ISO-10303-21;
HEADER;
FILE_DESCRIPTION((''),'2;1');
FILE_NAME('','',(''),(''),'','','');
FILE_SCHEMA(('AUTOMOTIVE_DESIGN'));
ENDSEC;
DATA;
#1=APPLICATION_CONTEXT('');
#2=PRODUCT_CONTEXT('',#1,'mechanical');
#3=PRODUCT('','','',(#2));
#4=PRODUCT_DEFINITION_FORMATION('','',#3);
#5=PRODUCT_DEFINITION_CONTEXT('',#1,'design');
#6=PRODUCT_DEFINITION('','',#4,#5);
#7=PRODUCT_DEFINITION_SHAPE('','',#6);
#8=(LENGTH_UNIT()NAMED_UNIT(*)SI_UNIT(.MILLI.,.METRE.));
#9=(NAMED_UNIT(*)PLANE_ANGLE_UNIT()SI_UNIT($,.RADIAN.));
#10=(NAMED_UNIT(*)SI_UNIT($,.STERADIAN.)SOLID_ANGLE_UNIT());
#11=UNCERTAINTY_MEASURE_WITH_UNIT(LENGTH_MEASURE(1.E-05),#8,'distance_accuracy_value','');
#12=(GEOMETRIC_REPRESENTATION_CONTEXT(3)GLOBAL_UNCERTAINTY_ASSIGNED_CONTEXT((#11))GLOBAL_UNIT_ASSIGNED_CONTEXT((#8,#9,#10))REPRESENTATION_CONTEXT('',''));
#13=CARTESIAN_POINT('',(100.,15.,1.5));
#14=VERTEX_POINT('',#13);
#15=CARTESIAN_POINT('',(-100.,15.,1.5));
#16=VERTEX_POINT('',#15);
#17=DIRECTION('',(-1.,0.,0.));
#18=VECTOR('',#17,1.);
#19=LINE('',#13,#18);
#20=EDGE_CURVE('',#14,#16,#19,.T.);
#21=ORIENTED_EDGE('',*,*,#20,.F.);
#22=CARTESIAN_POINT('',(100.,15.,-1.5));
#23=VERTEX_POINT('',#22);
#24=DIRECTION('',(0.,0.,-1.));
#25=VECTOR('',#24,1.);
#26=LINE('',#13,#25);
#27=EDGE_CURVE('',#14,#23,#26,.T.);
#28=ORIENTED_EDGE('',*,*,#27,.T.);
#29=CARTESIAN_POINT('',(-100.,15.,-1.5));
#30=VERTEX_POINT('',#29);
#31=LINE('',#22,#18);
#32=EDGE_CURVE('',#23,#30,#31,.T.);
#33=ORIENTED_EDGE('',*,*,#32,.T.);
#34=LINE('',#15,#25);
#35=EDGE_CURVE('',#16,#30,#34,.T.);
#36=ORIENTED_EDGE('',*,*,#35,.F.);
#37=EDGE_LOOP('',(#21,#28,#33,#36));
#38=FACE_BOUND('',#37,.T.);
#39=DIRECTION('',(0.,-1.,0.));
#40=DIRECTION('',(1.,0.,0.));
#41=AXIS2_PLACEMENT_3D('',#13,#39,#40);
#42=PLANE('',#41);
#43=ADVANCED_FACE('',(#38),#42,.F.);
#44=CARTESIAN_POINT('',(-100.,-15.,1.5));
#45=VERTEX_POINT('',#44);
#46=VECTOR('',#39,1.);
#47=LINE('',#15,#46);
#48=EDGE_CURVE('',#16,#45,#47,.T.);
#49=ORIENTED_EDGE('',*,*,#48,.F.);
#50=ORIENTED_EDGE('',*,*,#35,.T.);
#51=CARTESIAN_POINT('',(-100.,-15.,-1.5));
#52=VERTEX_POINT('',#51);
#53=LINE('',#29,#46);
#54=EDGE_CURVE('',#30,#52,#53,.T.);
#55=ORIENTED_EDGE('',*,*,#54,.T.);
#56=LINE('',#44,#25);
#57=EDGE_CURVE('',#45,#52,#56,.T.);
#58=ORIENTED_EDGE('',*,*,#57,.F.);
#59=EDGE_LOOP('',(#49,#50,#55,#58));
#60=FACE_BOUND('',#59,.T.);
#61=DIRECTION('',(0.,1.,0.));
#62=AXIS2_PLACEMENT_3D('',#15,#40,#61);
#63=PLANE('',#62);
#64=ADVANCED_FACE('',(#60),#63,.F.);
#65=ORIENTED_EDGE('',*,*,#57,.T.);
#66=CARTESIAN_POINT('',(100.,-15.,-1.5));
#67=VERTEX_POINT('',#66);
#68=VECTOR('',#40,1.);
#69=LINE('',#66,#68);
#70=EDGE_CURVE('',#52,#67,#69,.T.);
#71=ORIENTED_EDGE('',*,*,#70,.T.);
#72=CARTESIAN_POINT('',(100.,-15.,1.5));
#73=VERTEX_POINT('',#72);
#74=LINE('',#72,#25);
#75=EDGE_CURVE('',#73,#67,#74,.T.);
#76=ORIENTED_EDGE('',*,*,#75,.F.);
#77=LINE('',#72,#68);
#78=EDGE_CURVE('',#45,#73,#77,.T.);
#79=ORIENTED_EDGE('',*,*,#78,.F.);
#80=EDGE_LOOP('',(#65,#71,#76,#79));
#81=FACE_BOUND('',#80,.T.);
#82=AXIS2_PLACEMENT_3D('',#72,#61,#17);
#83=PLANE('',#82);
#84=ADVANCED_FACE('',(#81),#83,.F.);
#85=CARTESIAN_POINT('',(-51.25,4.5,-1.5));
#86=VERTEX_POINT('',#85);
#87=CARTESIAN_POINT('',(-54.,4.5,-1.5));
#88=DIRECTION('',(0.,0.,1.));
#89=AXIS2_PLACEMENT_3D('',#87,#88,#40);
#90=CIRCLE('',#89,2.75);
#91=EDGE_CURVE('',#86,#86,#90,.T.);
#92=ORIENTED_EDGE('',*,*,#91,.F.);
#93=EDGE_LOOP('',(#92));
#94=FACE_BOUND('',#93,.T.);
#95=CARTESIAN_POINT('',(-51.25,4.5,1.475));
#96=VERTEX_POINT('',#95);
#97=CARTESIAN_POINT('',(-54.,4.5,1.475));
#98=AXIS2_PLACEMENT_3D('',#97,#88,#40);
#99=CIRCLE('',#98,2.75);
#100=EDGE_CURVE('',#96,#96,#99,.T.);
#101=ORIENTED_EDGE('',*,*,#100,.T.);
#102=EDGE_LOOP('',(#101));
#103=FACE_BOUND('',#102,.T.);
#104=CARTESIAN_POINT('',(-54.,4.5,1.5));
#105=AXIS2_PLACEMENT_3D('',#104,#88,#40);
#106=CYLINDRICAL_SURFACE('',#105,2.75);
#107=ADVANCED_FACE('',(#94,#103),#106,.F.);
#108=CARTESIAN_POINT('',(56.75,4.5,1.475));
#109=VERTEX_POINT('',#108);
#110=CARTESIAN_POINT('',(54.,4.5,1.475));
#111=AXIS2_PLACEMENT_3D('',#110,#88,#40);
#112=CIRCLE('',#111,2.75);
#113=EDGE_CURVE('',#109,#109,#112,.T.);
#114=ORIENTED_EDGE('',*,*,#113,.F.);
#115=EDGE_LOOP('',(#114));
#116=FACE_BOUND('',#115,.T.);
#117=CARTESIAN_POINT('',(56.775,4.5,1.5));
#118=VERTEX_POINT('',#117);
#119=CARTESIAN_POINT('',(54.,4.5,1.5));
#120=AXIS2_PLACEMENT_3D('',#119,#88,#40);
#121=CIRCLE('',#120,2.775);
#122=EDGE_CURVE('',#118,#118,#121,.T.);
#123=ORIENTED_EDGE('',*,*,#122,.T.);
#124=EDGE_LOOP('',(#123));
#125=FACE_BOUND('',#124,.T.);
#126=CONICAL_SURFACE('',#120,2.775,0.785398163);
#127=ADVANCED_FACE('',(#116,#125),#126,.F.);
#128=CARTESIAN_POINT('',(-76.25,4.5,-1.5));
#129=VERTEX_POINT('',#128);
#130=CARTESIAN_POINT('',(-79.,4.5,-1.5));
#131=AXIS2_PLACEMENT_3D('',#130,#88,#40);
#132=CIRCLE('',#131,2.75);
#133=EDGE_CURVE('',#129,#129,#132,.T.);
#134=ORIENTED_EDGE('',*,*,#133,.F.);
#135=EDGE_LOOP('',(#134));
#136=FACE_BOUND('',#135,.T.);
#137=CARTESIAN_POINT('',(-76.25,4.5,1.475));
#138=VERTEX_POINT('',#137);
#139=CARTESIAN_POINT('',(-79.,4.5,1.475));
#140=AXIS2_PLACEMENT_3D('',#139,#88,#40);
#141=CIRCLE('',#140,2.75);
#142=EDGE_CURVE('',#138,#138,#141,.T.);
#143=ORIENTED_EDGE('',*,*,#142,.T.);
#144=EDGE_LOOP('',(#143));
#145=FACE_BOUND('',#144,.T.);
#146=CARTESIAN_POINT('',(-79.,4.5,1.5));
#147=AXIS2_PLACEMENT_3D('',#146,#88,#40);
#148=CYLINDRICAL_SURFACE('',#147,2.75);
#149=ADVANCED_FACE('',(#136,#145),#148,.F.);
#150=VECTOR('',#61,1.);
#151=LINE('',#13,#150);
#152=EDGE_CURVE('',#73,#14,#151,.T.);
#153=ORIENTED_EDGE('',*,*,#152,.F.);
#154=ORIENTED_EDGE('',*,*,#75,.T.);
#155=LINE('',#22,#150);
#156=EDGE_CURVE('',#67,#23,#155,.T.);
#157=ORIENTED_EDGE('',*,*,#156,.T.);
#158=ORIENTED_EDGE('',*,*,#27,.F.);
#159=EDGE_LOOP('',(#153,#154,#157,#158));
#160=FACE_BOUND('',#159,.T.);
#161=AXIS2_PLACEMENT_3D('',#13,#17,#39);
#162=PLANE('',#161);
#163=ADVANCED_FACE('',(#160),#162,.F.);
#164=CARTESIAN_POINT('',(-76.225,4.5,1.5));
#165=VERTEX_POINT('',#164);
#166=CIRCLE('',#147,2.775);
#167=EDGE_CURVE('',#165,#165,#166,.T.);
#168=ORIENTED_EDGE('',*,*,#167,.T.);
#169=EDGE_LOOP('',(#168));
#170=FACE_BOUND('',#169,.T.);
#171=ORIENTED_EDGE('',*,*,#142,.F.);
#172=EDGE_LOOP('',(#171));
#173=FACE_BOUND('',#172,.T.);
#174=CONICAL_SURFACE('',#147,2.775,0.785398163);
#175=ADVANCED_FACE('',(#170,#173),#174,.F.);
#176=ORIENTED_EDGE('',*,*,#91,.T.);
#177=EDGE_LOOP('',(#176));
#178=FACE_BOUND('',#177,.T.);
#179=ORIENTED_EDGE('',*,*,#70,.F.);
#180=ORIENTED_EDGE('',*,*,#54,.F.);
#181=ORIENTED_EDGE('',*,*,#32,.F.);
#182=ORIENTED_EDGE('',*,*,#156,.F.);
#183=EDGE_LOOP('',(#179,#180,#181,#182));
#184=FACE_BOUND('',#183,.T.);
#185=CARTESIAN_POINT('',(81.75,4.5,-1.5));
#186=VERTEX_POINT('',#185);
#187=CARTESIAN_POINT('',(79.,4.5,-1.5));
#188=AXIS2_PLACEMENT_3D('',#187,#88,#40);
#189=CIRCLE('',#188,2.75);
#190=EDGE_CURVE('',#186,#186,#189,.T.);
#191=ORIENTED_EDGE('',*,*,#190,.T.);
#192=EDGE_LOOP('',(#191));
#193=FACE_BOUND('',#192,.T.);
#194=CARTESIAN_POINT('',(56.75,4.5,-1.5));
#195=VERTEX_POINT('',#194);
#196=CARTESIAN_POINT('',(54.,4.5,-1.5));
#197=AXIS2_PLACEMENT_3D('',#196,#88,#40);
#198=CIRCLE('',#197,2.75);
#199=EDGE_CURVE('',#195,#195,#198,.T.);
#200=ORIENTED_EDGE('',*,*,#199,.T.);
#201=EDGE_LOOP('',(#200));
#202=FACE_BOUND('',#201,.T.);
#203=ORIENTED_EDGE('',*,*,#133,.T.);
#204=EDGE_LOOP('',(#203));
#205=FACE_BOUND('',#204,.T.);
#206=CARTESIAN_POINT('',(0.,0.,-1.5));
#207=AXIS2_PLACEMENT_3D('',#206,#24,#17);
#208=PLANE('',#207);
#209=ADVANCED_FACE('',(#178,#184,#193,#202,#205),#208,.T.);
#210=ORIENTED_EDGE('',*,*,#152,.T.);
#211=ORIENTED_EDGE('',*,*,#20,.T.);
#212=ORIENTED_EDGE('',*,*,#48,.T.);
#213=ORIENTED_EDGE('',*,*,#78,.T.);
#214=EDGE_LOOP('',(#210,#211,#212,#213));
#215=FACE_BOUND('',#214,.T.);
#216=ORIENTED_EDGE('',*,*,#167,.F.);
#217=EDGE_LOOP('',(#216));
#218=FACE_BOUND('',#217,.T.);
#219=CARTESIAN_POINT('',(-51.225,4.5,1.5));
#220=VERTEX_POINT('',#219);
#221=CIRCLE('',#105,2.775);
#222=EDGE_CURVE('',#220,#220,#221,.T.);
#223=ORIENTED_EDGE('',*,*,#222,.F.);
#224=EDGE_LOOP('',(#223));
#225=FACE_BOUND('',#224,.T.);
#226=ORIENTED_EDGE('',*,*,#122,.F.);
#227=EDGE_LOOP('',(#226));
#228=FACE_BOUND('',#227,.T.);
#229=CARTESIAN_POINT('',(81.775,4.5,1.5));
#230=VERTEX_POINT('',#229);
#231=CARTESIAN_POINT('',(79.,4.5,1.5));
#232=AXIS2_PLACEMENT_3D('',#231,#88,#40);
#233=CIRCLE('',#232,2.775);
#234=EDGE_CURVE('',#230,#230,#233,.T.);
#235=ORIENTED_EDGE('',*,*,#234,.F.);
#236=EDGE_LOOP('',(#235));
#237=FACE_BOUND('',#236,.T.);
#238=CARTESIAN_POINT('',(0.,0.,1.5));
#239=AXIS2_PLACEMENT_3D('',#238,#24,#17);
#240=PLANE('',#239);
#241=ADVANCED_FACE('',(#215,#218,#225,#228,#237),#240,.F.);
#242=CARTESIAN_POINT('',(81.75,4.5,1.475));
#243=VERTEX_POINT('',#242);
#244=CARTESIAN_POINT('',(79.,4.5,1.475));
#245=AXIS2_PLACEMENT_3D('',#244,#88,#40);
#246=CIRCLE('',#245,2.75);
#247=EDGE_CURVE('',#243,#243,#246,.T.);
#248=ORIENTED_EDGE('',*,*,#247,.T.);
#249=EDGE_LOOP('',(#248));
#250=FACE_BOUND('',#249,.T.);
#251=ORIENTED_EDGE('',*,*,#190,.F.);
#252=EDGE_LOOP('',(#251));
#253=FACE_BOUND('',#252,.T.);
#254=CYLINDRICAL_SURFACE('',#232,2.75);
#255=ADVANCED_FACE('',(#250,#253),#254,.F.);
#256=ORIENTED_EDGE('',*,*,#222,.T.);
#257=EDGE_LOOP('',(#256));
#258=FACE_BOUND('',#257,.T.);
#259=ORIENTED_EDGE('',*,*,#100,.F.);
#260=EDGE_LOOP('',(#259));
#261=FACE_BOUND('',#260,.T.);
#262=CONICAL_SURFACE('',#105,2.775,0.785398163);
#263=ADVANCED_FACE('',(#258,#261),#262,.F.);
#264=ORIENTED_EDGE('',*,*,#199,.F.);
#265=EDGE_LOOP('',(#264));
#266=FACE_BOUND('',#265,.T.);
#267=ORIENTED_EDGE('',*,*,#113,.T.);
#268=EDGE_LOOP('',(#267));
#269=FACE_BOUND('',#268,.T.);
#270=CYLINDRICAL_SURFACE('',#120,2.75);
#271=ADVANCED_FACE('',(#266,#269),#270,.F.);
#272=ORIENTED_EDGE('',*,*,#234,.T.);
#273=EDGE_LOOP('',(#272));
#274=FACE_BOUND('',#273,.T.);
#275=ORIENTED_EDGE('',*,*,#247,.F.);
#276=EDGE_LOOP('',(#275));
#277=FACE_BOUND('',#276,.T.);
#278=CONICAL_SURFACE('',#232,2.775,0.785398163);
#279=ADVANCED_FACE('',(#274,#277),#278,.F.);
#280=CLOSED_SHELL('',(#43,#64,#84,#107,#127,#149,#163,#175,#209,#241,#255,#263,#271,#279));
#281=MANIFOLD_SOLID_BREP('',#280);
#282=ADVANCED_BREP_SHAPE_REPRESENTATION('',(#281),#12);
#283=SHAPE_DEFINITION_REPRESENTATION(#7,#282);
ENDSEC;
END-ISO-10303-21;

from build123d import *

# Parameters (mm, degrees)
SKETCH1_W                      = 200
SKETCH1_H                      = 30
BOSS_EXTRUDE1_DEPTH            = 1.5
M5_CLEARANCE_HOLE1_D           = 5.5
M5_CLEARANCE_HOLE1_CSINK_D     = 5.55
M5_CLEARANCE_HOLE1_CSINK_ANGLE = 90


with BuildPart() as part:
    # Sketch1 → Boss-Extrude1 (new, symmetric)
    with BuildSketch(Plane.XY):
        Rectangle(SKETCH1_W, SKETCH1_H)
    extrude(amount=BOSS_EXTRUDE1_DEPTH, both=True)

    # M5 Clearance Hole1 (through all)
    with Locations(Plane.XY.offset(1.5)):
        with Locations((54, 4.5), (-79, 4.5), (-54, 4.5), (79, 4.5)):
            CounterSinkHole(M5_CLEARANCE_HOLE1_D / 2, M5_CLEARANCE_HOLE1_CSINK_D / 2, counter_sink_angle=M5_CLEARANCE_HOLE1_CSINK_ANGLE)


solid = part.part
